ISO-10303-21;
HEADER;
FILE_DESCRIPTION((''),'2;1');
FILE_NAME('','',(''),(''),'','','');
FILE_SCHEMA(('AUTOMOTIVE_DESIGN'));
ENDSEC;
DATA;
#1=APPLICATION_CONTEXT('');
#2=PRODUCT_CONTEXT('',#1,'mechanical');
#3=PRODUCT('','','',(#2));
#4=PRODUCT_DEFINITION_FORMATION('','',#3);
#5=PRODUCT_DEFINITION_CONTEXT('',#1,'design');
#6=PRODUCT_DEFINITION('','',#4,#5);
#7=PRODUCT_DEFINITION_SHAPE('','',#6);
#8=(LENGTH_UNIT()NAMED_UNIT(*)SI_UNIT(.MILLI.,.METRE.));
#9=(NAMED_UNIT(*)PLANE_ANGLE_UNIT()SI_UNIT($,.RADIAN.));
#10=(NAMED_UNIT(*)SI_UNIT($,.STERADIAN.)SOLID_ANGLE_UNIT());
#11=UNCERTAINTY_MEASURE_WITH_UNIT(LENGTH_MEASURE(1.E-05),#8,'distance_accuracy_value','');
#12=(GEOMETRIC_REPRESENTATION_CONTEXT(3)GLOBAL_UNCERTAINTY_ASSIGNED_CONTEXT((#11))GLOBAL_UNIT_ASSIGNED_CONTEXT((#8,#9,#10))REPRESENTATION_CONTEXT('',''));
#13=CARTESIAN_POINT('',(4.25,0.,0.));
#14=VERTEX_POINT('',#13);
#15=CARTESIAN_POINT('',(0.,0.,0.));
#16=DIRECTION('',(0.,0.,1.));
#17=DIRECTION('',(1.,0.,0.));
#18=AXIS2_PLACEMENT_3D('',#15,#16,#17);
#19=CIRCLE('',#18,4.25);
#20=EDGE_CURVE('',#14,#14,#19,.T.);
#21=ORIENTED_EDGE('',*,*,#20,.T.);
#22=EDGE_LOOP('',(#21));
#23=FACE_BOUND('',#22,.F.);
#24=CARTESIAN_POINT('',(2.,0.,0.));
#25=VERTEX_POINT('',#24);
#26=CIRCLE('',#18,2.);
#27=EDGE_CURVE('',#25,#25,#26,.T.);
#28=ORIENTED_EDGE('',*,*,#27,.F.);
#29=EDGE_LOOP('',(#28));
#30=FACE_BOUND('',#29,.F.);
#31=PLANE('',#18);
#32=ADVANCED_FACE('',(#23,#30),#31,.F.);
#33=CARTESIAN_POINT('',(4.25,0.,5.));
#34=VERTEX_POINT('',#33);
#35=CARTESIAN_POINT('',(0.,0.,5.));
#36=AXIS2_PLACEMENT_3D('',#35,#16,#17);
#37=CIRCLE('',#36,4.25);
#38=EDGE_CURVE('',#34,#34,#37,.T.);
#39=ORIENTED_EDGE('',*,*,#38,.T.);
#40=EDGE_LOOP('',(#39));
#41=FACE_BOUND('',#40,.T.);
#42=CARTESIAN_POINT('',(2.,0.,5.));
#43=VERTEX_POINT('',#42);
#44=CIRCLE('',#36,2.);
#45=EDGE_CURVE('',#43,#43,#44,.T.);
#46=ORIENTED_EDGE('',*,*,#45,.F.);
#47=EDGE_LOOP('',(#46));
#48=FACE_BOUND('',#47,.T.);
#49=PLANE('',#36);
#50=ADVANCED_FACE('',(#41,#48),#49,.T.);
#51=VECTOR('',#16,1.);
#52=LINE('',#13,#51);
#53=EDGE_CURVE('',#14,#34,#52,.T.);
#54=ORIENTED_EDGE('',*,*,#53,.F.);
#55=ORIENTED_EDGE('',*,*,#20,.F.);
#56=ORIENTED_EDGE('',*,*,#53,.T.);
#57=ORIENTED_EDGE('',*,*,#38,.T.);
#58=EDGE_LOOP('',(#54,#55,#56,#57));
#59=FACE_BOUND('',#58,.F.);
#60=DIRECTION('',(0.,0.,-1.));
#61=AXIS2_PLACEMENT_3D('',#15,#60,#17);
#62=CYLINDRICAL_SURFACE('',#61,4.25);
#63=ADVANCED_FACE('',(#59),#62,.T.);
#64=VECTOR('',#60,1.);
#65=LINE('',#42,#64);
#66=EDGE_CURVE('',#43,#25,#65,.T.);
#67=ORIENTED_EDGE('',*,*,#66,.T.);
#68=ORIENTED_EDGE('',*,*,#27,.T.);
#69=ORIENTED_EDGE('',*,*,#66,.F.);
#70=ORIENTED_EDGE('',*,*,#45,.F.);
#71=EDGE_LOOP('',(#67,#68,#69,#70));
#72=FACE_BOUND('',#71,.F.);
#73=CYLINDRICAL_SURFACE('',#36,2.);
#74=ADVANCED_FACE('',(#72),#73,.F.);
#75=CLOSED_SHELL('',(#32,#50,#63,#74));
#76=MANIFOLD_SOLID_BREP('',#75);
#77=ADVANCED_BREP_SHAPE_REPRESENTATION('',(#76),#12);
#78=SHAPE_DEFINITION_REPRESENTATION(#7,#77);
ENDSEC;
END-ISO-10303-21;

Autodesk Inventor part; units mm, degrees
ref_plane "YZ Plane" through (0, 0, 0) normal (1, 0, 0) x (0, 1, 0)
ref_plane "XZ Plane" through (0, 0, 0) normal (0, 1, 0) x (-1, 0, 0)
ref_plane "XY Plane" through (0, 0, 0) normal (0, 0, 1) x (1, 0, 0)
sketch "Sketch1" plane through (0, 0, 0) normal (0, 0, 1) x (1, 0, 0)
  circle A0 centre (0, 0) radius 4.25
  dimension "d0" = 8.5
extrude "Extrusion1" add sketch "Sketch1" along normal blind 5
sketch "Sketch2" plane through (0, 0, 5) normal (0, 0, 1) x (1, 0, 0)
  circle A0 centre (0, 0) radius 2
  dimension "d3" = 4
extrude "Extrusion2" cut sketch "Sketch2" against normal blind 5
properties part number "Pin Securing Piece"
